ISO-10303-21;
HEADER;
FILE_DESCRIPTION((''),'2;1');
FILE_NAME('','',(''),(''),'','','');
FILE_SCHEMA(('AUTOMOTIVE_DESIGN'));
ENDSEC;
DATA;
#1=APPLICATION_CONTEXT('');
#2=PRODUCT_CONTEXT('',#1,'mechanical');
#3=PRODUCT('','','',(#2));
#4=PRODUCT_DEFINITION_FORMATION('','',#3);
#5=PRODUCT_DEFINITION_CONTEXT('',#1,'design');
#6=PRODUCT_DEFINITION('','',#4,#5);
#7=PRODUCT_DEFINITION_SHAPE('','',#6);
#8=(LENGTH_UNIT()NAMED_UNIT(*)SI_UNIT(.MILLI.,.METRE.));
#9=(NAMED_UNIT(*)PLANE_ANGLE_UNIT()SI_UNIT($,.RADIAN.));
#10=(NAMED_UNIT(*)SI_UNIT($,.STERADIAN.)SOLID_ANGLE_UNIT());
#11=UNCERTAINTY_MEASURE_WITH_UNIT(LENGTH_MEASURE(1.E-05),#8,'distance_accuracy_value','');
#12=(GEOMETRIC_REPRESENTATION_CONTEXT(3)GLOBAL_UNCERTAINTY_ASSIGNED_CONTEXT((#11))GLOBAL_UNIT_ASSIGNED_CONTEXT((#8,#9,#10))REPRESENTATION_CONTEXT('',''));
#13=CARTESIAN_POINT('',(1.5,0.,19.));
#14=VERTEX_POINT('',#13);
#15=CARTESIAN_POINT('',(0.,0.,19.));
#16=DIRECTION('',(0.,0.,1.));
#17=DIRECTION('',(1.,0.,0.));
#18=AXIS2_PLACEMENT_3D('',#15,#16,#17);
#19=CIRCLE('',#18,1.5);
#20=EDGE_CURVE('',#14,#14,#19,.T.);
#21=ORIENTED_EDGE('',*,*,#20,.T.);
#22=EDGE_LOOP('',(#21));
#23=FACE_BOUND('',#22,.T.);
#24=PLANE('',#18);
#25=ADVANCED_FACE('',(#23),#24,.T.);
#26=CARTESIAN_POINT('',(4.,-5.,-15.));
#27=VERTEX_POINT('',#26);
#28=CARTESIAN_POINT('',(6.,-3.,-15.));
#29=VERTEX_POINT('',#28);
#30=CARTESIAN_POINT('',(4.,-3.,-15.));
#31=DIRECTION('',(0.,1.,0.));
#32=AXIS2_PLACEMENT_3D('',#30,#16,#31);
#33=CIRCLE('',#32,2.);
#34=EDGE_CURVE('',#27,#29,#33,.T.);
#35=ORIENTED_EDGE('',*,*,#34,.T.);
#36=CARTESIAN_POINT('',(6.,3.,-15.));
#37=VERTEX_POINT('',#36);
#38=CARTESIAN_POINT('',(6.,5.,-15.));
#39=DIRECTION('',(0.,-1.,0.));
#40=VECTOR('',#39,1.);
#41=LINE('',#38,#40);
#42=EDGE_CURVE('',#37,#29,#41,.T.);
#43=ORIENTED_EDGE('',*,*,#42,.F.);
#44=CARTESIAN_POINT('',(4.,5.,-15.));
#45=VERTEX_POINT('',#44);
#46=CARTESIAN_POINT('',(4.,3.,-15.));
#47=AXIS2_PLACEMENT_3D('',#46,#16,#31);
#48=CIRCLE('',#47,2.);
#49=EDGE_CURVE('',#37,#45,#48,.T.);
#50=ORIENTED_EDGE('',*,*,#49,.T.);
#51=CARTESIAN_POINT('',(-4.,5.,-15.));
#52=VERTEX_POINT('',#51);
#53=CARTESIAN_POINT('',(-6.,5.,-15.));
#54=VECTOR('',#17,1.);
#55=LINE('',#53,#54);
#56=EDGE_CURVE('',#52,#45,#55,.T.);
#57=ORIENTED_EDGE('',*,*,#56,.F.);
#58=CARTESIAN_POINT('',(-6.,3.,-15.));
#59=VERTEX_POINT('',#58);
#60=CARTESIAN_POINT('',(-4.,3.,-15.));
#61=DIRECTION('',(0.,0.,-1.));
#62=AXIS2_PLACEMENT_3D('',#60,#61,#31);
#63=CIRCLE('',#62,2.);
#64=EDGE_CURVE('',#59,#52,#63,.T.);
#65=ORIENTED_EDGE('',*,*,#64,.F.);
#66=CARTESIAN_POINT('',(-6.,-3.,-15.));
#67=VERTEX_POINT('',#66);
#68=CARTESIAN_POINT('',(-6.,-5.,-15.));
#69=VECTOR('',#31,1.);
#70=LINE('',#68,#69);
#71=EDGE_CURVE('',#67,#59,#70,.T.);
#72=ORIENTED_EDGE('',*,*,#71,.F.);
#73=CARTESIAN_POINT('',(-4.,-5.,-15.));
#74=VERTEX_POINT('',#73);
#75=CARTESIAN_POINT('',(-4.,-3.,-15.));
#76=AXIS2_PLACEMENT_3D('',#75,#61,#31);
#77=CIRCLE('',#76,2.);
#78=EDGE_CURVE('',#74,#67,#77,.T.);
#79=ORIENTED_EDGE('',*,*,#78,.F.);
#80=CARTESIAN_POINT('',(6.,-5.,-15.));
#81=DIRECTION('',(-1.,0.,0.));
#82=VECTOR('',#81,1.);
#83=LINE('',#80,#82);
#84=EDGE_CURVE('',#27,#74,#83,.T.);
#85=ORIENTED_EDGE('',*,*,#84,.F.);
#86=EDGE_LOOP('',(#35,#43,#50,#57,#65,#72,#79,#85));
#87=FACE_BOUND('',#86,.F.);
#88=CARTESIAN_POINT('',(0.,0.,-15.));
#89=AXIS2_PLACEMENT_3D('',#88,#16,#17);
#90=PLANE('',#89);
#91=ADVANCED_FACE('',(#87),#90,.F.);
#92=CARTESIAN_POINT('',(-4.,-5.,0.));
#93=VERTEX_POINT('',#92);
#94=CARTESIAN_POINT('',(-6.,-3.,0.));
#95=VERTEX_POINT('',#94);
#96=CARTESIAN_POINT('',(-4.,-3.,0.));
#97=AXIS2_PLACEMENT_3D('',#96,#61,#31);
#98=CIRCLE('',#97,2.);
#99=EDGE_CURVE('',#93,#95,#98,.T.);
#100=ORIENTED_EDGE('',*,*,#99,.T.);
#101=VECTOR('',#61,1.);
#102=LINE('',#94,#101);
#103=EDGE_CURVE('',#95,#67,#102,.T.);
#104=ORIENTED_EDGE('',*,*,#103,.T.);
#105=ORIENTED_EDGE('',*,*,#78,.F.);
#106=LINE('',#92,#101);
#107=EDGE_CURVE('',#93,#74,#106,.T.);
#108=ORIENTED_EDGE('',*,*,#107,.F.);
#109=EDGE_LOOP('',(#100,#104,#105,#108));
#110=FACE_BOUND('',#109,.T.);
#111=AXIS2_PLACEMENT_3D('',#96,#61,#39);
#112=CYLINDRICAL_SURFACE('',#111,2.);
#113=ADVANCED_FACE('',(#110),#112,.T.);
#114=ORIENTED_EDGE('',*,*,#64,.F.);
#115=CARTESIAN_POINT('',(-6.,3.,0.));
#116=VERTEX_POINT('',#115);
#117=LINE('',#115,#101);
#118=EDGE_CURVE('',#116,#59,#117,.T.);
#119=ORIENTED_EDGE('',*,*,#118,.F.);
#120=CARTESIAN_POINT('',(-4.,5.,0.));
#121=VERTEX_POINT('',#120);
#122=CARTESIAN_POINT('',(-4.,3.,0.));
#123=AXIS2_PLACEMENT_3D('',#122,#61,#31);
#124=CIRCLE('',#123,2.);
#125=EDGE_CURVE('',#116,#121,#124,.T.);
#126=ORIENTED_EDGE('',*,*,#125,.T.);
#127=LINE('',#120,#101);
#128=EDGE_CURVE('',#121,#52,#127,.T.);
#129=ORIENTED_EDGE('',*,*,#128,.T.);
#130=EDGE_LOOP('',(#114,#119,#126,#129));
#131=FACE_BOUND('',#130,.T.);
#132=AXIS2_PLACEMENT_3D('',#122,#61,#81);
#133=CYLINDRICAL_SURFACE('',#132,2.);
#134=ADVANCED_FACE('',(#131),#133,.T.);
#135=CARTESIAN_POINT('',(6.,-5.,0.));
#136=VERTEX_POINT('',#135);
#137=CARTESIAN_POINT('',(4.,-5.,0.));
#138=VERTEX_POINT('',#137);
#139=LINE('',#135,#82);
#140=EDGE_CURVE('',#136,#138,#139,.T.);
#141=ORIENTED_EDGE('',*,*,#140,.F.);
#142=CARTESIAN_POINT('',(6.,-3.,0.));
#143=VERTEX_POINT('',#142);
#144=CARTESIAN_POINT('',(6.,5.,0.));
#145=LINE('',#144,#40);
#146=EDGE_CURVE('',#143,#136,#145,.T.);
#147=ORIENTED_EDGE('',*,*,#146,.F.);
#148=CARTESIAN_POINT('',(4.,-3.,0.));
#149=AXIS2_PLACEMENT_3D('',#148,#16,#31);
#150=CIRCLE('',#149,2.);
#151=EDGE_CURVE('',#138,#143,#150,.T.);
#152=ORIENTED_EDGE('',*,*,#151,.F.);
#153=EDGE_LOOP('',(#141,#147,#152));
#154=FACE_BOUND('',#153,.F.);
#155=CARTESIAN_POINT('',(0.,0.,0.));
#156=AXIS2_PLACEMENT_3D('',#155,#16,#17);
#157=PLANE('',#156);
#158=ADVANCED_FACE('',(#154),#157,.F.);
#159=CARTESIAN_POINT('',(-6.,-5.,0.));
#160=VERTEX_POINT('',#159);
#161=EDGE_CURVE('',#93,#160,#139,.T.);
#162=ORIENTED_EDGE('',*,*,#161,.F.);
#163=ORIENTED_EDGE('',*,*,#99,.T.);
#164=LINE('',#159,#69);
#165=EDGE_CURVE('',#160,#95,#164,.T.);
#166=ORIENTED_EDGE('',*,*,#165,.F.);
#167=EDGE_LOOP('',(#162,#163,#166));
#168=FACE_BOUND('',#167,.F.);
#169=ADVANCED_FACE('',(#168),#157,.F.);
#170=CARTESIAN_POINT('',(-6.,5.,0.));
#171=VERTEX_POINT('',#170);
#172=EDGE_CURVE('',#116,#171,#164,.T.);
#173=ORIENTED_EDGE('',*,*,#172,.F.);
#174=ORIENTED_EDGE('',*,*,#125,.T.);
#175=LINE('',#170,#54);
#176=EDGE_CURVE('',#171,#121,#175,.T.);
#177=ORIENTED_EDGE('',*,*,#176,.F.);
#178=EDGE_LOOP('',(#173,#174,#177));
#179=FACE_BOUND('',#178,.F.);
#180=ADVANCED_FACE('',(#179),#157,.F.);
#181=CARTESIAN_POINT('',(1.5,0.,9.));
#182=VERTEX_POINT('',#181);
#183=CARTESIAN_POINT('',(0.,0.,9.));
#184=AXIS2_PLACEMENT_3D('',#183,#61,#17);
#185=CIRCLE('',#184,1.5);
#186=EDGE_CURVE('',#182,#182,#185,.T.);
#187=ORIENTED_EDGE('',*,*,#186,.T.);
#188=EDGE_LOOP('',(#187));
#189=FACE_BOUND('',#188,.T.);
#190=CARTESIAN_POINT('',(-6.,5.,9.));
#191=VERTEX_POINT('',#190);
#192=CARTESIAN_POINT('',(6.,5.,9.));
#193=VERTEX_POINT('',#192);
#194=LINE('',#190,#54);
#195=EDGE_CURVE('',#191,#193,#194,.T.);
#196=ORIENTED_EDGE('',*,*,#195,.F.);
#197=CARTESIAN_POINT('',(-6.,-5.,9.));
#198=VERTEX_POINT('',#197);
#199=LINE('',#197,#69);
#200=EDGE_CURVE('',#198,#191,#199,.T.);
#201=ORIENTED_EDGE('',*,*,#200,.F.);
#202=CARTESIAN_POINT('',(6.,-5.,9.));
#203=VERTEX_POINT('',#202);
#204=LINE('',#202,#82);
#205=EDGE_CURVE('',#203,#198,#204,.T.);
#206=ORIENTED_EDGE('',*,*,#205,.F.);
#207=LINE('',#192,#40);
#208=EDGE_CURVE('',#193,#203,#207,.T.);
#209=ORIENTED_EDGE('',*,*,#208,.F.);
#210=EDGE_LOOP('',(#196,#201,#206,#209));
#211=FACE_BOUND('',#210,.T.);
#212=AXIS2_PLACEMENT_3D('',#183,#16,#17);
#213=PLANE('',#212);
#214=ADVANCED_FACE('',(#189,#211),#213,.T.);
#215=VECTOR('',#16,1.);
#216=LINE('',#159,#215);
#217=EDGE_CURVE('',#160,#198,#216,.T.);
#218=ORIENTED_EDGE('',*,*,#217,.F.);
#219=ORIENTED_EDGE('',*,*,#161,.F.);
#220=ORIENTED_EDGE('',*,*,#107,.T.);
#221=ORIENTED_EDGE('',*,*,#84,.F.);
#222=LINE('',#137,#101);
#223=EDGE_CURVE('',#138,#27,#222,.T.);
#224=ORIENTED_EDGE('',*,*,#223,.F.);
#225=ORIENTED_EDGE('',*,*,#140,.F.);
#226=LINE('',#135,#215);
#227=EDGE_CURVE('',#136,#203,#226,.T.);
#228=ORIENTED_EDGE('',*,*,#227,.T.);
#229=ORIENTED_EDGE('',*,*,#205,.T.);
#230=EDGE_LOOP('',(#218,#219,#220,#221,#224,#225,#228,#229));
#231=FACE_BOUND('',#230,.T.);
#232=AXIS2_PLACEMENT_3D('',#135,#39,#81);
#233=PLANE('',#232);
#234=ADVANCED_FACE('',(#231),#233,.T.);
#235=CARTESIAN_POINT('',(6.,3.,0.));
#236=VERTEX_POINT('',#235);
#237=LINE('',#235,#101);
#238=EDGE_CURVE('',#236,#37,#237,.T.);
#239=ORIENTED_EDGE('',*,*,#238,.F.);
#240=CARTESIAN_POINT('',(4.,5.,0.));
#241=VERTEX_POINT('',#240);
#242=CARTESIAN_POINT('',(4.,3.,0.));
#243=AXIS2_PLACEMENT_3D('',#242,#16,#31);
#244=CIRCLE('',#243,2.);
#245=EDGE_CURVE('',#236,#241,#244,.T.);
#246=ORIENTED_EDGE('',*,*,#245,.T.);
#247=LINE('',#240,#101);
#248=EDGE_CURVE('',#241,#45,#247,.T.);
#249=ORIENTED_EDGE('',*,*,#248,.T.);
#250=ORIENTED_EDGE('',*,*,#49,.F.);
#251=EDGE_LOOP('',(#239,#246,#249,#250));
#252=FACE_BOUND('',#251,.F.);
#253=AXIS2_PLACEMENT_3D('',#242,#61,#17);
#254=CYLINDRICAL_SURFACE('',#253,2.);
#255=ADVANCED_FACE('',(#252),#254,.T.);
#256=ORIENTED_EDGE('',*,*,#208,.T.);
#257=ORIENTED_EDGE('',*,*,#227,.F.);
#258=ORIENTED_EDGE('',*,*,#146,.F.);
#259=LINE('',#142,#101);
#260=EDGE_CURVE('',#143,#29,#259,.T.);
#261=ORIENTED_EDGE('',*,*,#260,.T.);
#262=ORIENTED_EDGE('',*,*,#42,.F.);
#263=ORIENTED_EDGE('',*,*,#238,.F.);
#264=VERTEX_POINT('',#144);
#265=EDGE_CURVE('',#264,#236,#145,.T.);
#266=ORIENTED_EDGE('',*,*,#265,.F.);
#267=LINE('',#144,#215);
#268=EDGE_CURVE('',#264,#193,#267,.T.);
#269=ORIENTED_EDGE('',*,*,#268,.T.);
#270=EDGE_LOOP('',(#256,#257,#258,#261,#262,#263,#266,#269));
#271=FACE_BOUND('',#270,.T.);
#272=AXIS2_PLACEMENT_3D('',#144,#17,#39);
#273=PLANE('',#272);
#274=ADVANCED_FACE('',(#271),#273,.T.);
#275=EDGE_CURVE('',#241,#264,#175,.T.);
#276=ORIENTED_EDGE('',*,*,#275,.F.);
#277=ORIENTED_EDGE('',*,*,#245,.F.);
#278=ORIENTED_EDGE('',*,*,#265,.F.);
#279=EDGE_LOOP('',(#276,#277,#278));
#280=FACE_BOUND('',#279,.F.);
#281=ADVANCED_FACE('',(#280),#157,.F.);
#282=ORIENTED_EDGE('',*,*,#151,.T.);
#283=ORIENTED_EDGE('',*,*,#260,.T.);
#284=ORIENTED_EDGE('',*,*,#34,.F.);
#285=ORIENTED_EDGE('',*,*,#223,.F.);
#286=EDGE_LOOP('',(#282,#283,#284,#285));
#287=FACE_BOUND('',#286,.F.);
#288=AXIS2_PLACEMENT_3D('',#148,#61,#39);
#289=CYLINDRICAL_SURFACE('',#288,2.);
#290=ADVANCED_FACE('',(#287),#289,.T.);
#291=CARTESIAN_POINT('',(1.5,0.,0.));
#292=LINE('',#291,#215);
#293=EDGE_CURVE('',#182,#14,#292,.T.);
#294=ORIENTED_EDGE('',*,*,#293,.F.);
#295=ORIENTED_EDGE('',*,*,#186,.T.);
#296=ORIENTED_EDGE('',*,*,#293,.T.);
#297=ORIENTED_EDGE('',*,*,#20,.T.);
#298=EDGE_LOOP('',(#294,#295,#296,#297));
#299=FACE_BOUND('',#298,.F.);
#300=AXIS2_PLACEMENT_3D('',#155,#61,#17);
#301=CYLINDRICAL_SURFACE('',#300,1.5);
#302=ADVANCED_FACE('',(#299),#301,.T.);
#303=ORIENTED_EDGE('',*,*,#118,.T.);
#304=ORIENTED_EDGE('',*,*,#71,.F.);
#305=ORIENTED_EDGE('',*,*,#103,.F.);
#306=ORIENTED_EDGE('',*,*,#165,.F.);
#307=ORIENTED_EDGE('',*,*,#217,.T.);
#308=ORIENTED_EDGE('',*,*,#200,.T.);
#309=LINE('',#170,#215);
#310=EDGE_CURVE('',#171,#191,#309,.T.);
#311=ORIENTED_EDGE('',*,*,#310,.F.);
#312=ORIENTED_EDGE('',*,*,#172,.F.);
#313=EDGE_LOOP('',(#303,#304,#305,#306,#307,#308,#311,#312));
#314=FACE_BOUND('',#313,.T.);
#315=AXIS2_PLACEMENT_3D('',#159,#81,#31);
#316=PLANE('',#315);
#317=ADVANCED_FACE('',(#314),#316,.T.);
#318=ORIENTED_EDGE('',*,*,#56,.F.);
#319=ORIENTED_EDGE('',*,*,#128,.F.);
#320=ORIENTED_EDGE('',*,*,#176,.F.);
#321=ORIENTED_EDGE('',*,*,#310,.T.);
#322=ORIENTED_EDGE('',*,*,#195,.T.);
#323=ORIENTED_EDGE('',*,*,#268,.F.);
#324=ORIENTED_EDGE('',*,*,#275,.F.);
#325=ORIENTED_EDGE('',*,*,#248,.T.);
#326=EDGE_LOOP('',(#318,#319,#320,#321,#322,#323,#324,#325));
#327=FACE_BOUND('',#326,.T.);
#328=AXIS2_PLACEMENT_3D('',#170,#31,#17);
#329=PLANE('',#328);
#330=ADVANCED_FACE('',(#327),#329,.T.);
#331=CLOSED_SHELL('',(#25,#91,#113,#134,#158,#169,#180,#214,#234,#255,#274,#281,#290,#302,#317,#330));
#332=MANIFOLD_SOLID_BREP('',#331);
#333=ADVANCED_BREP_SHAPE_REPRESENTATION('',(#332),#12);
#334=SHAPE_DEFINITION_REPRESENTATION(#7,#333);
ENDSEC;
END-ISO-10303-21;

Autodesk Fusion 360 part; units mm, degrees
sketch "草图1" plane through (0, 0, 0) normal (0, 0, 1) x (1, 0, 0)
  line L0 (6, -5) -> (-6, -5)
  line L1 (-6, -5) -> (-6, 5)
  line L2 (-6, 5) -> (6, 5)
  line L3 (6, 5) -> (6, -5)
  line L4 (6, -5) -> (-6, 5) construction
  line L5 (-6, -5) -> (6, 5) construction
  circle A0 centre (0, 0) radius 1.5
  dimension "d1" = 12
  dimension "d2" = 10
  dimension "d3" = 3
extrude "拉伸1" add sketch "草图1" along normal blind 9 contours L0 L1 L2 L3 | A0 makes body 1
extrude "拉伸2" add sketch "草图1" against normal blind 15 separate body contours L0 L1 L2 L3 | A0 makes body 2
fillet "圆角1" radius 2 4 edges at (6, 5, -7.5) (-6, 5, -7.5) (6, -5, -7.5) (-6, -5, -7.5) on bodies 2
extrude "拉伸3" add sketch "草图1" along normal blind 19 contours A0 bodies 1 2
